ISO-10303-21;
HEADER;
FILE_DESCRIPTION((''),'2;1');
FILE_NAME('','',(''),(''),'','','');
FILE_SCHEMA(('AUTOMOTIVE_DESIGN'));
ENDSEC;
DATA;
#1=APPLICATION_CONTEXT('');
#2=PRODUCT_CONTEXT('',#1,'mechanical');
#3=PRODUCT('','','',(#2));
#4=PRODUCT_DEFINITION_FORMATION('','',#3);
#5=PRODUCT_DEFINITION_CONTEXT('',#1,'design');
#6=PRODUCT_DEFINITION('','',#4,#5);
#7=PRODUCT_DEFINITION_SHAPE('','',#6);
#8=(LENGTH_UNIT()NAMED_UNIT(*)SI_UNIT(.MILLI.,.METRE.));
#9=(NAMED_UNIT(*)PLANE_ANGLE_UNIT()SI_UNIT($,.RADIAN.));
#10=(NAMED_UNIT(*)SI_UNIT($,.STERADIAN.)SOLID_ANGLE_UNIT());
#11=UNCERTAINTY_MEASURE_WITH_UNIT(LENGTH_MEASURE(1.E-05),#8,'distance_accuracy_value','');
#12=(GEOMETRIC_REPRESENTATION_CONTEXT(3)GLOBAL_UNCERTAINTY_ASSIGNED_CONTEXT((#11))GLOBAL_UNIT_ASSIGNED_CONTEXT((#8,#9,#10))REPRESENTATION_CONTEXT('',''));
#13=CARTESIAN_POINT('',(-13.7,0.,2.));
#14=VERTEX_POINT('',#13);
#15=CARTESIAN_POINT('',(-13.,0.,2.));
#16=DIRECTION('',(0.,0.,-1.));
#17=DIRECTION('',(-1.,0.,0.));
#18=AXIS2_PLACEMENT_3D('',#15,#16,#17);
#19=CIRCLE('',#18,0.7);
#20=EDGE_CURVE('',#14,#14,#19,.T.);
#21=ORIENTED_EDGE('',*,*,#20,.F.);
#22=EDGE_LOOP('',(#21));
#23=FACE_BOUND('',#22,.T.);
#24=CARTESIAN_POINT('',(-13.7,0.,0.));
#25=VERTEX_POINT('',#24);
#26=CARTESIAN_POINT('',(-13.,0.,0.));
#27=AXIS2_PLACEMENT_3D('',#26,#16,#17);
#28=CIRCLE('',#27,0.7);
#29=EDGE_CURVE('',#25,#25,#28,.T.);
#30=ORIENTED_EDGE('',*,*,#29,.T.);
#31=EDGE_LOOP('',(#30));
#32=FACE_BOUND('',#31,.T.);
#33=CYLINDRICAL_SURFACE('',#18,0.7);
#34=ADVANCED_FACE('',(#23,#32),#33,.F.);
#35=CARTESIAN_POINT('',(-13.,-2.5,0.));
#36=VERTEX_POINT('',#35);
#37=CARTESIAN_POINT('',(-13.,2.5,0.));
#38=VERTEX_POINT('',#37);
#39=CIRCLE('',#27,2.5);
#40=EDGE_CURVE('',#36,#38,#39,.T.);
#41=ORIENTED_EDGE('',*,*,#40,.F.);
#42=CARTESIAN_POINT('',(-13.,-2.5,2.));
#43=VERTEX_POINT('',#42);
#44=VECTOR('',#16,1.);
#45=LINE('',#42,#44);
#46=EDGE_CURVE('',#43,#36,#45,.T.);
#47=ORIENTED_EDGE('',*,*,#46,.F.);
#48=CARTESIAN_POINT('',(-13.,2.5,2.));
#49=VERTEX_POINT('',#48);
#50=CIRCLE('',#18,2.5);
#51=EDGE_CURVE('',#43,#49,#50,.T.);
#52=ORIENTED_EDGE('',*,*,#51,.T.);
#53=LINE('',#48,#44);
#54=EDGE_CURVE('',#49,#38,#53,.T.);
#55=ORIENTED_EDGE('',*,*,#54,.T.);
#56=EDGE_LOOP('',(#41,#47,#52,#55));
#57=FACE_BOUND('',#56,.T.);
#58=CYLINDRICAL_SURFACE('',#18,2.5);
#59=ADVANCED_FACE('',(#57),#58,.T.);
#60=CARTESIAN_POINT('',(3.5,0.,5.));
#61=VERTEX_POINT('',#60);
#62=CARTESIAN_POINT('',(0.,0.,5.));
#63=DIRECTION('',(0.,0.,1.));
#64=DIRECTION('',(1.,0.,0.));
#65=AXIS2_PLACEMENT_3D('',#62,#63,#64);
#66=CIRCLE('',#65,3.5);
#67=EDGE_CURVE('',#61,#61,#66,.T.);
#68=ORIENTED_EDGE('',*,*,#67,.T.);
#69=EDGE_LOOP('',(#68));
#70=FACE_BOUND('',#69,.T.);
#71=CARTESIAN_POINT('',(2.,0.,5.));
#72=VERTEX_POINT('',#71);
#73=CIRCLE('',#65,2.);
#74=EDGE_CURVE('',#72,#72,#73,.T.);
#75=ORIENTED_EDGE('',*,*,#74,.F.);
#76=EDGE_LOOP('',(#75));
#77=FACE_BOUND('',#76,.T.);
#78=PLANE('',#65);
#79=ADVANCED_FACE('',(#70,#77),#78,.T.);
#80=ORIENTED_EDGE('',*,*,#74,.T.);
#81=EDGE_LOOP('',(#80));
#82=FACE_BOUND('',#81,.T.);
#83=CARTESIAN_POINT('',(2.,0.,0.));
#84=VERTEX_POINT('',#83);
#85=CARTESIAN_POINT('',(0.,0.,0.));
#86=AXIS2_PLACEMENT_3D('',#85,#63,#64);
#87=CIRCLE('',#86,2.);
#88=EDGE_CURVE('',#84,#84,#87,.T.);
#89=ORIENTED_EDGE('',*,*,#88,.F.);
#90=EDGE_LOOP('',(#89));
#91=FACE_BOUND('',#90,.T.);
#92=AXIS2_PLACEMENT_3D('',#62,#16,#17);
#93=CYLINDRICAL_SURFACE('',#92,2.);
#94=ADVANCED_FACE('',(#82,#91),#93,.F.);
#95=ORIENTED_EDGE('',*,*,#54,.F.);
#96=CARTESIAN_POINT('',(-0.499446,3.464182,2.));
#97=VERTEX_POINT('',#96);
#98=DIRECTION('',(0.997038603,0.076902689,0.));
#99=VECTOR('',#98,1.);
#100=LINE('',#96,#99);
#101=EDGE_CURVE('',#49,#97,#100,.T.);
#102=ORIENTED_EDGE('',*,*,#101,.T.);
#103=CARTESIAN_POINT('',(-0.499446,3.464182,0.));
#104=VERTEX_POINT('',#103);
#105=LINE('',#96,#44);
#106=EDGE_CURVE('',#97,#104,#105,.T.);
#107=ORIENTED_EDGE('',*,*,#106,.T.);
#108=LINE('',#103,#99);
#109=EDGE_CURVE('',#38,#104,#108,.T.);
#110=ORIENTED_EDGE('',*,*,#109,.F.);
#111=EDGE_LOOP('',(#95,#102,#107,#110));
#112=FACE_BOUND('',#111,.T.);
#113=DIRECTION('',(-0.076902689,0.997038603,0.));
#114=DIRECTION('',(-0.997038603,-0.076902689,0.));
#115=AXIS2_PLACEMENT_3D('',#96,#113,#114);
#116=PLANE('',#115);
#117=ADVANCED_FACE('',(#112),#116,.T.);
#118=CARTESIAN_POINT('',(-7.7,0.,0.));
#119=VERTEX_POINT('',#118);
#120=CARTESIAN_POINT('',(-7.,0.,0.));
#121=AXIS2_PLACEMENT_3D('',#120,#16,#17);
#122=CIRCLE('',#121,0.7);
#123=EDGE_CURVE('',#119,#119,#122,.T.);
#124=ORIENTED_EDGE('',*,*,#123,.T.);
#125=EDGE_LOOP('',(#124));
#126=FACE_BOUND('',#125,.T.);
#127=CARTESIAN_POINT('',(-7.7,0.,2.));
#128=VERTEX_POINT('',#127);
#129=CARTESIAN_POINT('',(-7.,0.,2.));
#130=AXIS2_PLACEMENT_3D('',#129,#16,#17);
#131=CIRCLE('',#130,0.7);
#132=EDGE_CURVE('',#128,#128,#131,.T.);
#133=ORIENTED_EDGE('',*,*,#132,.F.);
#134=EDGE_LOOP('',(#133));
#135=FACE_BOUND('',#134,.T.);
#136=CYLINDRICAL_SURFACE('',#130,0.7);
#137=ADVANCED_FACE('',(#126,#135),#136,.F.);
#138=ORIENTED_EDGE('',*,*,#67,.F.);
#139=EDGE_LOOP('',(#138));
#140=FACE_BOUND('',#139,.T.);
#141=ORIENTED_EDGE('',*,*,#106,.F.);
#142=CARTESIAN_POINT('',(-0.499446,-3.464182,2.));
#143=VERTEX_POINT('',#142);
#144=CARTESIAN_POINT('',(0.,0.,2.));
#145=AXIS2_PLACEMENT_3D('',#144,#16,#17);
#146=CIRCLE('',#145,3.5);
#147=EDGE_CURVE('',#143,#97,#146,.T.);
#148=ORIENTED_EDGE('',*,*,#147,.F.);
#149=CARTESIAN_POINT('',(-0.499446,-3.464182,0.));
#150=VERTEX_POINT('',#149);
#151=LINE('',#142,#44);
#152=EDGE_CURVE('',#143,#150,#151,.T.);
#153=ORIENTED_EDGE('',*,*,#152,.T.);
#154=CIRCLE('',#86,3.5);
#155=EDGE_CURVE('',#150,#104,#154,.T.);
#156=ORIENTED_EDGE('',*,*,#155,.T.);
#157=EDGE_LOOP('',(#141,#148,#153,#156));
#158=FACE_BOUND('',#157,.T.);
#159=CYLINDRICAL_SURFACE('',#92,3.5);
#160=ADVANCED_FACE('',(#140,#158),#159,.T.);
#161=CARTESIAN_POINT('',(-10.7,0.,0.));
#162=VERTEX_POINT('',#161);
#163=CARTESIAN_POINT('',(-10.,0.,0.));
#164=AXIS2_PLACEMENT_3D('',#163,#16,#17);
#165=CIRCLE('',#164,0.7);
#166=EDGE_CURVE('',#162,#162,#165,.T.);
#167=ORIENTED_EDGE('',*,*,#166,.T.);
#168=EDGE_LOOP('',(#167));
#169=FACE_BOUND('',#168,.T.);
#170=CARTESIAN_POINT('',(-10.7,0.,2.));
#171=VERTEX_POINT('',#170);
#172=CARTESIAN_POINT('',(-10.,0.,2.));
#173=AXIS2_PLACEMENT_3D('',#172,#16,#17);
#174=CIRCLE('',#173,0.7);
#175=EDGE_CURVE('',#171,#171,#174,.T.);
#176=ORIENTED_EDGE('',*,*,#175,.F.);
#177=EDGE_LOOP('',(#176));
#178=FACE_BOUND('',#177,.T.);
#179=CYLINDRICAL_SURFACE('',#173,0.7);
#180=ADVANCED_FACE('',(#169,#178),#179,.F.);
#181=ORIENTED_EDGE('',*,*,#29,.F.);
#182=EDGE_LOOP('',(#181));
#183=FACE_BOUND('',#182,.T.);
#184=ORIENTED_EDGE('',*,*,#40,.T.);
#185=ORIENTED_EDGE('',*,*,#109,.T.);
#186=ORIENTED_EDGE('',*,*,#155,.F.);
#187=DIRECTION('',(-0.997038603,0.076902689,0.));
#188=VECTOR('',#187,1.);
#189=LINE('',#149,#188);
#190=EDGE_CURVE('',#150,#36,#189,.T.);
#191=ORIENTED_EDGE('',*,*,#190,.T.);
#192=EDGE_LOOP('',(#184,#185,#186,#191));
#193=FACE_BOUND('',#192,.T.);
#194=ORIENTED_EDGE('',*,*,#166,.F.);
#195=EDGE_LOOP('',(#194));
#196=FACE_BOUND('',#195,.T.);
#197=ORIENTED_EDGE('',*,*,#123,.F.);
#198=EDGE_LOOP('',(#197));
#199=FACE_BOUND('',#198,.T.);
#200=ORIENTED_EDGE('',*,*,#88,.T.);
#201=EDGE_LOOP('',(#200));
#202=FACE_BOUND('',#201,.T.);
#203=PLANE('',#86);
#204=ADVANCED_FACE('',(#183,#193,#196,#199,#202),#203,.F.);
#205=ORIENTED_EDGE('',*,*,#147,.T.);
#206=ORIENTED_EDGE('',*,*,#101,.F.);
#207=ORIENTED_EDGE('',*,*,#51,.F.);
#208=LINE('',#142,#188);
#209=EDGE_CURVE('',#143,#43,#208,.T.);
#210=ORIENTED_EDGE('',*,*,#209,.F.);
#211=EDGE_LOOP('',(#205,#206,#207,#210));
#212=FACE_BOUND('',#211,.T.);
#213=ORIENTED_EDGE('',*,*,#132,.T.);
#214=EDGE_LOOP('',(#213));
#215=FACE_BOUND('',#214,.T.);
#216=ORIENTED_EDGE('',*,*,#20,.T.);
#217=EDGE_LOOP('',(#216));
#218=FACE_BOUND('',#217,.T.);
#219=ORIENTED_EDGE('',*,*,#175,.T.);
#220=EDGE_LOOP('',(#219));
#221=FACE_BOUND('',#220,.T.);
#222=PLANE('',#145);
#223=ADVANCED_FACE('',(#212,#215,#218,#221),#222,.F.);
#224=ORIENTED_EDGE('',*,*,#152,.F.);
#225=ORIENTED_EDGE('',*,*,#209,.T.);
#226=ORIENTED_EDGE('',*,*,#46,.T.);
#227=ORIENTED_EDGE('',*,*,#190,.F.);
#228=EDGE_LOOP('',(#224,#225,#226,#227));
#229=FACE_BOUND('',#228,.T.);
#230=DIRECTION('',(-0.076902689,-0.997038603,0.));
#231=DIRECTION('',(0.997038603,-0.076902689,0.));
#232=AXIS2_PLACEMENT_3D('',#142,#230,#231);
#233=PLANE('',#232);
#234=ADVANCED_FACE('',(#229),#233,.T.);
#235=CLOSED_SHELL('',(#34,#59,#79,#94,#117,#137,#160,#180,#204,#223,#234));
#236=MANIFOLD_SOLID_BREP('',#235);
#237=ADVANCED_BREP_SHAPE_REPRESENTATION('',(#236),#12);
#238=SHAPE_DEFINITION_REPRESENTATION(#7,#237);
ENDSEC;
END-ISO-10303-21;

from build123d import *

# Parameters (mm, degrees)
SKETCH1_R           = 3.5
SKETCH1_R_2         = 2
BOSS_EXTRUDE1_DEPTH = 5
SKETCH2_R           = 2
SKETCH2_R_2         = 0.7
BOSS_EXTRUDE2_DEPTH = 2


with BuildPart() as part:
    # Sketch1 → Boss-Extrude1 (new body)
    with BuildSketch(Plane.XY):
        Circle(SKETCH1_R)
        Circle(SKETCH1_R_2, mode=Mode.SUBTRACT)
    extrude(amount=BOSS_EXTRUDE1_DEPTH)

    # Sketch2 → Boss-Extrude2 (add)
    with BuildSketch(Plane(origin=(0, 0, 0), x_dir=(-1, 0, 0), z_dir=(0, 0, -1))):
        with BuildLine():
            Line((0.499445817, 3.464181559), (13, 2.5))
            ThreePointArc((13, 2.5), (15.5, 0), (13, -2.5))
            Line((13, -2.5), (0.499445817, -3.464181559))
            ThreePointArc((0.499445817, -3.464181559), (-3.5, 0), (0.499445817, 3.464181559))
        make_face()
        with Locations(Location((0, 0, 0), (0, 0, 180))):
            Circle(SKETCH2_R, mode=Mode.SUBTRACT)
        with Locations((7, 0)):
            Circle(SKETCH2_R_2, mode=Mode.SUBTRACT)
        with Locations((10, 0)):
            Circle(SKETCH2_R_2, mode=Mode.SUBTRACT)
        with Locations((13, 0)):
            Circle(SKETCH2_R_2, mode=Mode.SUBTRACT)
    extrude(amount=-BOSS_EXTRUDE2_DEPTH)


solid = part.part
